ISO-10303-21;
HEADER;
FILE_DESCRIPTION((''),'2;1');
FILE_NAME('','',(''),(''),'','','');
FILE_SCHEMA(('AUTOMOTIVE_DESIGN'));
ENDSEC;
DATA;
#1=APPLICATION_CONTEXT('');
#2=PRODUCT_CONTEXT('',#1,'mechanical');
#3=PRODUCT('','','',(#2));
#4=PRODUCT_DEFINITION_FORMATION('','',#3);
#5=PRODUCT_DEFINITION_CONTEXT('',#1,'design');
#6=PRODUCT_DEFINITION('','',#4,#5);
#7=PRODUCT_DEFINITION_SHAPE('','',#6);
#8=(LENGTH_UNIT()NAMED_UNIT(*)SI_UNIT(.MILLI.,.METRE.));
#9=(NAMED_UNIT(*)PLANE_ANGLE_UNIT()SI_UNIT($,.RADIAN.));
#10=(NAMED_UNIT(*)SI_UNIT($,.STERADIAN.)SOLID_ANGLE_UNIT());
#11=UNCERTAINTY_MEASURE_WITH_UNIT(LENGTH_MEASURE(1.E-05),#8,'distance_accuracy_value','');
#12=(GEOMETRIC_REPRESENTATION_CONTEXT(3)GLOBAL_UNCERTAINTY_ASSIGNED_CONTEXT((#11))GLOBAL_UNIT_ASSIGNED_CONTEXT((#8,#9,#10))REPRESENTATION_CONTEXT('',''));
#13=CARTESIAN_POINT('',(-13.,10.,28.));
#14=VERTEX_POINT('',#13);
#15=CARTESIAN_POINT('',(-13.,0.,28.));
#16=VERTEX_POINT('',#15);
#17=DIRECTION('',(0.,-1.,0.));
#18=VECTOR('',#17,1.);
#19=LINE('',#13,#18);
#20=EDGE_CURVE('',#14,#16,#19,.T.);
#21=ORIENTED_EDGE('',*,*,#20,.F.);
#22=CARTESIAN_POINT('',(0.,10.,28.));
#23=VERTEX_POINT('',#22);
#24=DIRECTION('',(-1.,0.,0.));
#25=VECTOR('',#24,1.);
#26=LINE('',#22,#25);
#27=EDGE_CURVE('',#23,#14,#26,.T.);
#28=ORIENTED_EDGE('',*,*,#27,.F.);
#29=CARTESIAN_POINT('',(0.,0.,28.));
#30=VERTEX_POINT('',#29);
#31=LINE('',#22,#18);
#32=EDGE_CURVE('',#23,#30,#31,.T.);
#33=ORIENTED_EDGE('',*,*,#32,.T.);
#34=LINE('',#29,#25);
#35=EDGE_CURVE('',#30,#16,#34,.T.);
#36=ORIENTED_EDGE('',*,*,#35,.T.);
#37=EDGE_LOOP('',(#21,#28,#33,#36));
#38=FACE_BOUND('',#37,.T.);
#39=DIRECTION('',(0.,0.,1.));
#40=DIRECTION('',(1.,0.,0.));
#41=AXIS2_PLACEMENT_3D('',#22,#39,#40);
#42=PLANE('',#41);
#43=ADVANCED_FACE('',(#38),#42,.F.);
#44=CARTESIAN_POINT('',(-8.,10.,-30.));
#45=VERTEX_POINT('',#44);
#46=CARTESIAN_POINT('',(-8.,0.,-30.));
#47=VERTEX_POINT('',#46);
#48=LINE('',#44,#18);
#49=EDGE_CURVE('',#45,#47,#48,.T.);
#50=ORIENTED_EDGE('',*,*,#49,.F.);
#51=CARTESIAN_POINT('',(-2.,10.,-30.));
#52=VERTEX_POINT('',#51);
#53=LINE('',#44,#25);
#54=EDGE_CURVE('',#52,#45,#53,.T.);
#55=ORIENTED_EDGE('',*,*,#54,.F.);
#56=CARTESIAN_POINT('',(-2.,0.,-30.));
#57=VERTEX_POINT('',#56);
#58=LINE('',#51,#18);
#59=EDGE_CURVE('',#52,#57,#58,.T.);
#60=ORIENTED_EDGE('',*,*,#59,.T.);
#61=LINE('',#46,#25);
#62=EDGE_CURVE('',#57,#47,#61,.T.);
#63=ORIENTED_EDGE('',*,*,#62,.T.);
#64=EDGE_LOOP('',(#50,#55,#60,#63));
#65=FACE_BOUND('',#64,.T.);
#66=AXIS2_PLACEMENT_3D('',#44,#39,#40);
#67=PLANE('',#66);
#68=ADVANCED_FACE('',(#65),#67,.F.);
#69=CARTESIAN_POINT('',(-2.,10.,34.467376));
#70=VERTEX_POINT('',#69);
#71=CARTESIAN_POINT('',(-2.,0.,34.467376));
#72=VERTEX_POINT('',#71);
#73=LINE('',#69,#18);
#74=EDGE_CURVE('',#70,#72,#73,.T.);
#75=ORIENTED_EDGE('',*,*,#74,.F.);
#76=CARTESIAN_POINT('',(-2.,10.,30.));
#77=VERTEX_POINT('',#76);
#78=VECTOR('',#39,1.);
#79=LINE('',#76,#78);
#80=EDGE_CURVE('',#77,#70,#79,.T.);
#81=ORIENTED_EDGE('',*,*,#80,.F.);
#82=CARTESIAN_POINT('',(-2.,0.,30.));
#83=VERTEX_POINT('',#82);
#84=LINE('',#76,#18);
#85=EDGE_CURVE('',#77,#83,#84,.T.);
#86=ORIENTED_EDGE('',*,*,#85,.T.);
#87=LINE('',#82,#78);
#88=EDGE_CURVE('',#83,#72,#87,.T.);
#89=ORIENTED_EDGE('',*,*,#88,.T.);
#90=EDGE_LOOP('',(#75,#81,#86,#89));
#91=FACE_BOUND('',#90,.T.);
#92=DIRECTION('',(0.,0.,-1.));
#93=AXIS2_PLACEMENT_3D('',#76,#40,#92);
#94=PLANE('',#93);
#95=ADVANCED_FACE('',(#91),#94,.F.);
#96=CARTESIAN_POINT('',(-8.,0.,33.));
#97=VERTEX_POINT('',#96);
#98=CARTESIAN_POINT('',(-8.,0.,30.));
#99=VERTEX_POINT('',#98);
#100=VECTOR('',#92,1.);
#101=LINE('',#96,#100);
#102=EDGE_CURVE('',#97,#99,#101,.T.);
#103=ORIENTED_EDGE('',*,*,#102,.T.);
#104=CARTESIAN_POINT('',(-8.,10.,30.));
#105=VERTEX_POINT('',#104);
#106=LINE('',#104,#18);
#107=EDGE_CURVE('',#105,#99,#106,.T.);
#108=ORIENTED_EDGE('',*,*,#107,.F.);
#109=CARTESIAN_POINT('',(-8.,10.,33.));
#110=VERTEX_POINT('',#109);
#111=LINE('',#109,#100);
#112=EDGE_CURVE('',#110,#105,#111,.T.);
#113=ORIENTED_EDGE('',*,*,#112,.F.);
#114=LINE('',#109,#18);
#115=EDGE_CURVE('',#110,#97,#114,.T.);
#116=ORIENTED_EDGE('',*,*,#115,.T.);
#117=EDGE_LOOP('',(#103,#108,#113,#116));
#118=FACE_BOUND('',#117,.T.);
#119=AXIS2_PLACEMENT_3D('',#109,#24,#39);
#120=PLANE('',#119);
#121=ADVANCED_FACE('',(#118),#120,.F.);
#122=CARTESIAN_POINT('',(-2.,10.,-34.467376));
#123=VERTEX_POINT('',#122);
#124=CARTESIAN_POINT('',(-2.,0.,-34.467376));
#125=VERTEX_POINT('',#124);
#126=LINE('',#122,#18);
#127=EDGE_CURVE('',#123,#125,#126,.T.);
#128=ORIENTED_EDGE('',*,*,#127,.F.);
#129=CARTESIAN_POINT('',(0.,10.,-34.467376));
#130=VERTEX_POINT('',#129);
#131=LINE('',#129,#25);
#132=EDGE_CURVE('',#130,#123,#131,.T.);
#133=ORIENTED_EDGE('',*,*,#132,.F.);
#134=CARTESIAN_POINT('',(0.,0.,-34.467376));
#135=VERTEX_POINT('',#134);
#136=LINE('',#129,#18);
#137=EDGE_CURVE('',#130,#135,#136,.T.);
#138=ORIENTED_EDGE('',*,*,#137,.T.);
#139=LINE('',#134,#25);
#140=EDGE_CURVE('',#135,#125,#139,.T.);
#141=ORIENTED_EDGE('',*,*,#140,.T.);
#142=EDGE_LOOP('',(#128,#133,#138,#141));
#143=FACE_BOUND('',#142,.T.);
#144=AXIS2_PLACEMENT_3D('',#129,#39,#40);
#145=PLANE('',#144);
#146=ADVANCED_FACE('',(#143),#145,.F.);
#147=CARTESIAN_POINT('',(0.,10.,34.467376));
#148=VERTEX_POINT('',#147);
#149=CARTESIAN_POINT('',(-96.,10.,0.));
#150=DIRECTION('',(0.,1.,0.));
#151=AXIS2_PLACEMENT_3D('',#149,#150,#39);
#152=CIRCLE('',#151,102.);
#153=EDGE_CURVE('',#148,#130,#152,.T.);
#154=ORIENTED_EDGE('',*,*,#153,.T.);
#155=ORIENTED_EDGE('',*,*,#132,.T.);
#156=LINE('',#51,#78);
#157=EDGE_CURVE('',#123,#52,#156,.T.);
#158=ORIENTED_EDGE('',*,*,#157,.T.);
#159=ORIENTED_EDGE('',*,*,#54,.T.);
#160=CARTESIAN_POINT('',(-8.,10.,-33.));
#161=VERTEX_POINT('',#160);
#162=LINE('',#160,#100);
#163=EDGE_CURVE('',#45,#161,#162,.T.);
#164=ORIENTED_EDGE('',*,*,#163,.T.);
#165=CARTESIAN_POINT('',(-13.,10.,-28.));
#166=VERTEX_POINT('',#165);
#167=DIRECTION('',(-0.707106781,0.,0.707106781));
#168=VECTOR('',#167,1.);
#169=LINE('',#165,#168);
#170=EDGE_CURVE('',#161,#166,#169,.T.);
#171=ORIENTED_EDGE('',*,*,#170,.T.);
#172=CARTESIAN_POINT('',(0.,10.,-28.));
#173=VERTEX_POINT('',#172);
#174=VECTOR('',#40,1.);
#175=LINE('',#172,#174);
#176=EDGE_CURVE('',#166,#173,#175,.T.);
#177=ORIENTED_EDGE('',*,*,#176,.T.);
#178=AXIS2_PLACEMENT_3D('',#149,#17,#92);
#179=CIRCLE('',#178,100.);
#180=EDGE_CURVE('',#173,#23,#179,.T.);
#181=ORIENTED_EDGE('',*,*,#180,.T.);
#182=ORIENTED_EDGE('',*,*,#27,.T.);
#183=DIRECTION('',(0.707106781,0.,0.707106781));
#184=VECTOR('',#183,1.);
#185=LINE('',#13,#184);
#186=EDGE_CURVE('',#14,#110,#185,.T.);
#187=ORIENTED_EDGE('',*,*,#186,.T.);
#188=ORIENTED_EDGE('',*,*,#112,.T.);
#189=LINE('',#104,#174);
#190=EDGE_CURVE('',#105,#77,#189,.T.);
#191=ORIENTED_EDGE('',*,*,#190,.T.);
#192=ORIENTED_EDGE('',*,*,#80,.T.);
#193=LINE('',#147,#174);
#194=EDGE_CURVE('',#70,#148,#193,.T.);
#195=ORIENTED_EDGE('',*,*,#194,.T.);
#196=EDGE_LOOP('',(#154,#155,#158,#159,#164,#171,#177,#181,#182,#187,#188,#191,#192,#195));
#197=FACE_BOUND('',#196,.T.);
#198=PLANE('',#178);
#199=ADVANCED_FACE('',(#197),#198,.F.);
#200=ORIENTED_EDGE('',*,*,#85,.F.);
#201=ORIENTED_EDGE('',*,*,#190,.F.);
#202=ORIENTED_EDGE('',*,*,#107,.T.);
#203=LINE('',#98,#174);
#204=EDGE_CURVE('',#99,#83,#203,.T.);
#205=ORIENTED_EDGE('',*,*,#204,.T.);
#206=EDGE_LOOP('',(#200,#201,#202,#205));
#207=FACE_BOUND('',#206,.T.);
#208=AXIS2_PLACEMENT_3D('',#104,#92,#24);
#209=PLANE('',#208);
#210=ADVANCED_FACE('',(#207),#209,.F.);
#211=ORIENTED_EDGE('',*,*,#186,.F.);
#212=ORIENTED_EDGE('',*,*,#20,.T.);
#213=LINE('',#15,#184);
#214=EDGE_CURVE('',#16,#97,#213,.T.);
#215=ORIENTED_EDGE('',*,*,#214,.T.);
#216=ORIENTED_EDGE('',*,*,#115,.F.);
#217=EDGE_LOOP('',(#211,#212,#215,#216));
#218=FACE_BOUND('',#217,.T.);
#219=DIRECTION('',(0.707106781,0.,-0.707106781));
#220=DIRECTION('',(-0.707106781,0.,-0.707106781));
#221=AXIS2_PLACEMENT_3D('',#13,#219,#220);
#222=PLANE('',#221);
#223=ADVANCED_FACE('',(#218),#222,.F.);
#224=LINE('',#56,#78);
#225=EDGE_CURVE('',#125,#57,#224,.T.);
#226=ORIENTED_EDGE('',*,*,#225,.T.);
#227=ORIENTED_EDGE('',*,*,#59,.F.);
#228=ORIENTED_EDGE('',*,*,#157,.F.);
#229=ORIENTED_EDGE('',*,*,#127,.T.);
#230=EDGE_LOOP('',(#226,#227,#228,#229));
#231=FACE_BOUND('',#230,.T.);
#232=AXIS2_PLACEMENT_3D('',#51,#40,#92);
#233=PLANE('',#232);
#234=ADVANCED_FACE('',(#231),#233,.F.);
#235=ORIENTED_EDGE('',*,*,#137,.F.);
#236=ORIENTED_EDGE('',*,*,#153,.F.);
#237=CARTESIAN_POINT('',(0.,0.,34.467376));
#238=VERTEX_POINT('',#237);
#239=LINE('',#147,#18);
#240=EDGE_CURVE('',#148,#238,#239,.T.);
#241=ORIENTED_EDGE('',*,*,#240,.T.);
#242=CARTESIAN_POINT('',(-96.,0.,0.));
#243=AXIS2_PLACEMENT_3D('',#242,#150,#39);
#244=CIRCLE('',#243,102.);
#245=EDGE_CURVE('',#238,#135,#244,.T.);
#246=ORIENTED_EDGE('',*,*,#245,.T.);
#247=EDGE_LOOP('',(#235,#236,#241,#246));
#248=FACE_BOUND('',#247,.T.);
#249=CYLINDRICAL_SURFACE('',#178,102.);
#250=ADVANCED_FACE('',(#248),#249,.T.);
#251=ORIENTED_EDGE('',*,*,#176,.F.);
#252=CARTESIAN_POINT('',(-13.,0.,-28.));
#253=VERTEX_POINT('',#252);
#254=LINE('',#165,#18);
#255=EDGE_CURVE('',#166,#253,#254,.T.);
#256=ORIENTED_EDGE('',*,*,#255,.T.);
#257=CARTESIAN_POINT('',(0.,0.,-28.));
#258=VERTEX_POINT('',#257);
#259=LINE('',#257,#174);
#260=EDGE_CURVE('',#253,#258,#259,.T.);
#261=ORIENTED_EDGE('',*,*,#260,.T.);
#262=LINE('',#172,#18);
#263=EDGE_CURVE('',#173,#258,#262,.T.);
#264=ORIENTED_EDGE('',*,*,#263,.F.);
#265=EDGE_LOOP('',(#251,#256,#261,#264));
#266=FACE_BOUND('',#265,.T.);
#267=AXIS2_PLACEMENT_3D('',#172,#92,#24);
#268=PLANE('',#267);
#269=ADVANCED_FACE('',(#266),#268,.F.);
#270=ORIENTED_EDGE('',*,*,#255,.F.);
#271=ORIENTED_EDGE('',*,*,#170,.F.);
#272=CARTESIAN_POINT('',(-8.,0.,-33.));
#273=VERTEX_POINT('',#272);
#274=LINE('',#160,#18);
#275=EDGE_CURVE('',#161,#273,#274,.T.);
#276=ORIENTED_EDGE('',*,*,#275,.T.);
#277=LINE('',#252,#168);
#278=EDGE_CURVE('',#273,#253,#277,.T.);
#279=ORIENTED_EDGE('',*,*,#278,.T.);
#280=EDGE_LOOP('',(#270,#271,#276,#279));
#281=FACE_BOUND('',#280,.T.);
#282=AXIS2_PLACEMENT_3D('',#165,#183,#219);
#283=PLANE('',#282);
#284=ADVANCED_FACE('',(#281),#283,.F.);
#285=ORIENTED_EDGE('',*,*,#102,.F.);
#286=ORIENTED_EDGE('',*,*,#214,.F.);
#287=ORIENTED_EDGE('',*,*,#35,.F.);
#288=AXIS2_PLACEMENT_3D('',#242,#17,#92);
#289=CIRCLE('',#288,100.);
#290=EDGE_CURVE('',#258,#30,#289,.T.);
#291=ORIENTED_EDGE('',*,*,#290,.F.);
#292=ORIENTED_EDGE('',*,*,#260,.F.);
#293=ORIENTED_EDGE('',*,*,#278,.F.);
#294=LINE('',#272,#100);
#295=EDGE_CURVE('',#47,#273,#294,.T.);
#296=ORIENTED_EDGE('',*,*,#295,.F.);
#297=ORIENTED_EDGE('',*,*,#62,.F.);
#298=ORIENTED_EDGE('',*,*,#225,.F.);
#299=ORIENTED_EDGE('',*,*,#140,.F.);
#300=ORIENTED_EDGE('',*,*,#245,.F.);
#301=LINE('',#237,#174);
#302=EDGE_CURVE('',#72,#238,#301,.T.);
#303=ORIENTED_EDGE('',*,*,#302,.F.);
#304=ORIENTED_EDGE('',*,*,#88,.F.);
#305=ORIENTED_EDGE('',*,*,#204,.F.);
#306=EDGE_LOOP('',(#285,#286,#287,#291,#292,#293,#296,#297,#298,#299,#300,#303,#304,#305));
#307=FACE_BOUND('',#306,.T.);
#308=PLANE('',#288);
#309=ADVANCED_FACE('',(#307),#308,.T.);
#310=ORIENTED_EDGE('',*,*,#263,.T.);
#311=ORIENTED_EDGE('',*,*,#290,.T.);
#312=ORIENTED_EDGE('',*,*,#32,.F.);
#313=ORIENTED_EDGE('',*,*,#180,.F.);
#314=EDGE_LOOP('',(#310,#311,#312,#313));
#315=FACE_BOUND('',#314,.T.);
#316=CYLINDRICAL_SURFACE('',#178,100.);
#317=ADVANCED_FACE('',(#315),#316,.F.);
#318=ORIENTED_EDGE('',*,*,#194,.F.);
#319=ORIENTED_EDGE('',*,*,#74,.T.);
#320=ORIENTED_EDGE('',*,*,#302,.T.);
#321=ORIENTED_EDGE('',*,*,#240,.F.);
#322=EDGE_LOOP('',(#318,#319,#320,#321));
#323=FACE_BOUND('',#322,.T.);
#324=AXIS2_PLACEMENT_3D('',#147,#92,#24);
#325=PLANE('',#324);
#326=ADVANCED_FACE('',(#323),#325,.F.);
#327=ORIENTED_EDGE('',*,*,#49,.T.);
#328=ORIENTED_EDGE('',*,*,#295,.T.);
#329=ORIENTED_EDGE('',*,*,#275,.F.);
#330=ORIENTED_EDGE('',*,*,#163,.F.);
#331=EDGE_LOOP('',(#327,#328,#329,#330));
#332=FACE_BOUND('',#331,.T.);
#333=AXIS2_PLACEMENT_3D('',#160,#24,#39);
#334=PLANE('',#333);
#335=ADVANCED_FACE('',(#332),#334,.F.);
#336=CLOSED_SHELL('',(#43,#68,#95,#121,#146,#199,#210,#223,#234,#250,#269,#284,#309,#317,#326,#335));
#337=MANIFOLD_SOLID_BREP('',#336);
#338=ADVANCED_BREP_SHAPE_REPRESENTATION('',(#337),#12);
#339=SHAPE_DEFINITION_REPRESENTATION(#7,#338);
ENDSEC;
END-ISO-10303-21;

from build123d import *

# Parameters (mm, degrees)
BOSS_EXTRU_1_DEPTH = 10


with BuildPart() as part:
    # Esquisse1 → Boss.-Extru.1 (new body)
    with BuildSketch(Plane(origin=(0, 0, 0), x_dir=(1, 0, 0), z_dir=(0, 1, 0))):
        with BuildLine():
            Line((0, -28), (-13, -28))
            Line((-13, -28), (-8, -33))
            Line((-8, -33), (-8, -30))
            Line((-8, -30), (-2, -30))
            Line((-2, -30), (-2, -34.467375879))
            Line((-2, -34.467375879), (0, -34.467375879))
            ThreePointArc((0, -34.467375879), (6, 0), (0, 34.467375879))
            Line((0, 34.467375879), (-2, 34.467375879))
            Line((-2, 34.467375879), (-2, 30))
            Line((-2, 30), (-8, 30))
            Line((-8, 30), (-8, 33))
            Line((-8, 33), (-13, 28))
            Line((-13, 28), (0, 28))
            ThreePointArc((0, 28), (4, 0), (0, -28))
        make_face()
    extrude(amount=BOSS_EXTRU_1_DEPTH)


solid = part.part
